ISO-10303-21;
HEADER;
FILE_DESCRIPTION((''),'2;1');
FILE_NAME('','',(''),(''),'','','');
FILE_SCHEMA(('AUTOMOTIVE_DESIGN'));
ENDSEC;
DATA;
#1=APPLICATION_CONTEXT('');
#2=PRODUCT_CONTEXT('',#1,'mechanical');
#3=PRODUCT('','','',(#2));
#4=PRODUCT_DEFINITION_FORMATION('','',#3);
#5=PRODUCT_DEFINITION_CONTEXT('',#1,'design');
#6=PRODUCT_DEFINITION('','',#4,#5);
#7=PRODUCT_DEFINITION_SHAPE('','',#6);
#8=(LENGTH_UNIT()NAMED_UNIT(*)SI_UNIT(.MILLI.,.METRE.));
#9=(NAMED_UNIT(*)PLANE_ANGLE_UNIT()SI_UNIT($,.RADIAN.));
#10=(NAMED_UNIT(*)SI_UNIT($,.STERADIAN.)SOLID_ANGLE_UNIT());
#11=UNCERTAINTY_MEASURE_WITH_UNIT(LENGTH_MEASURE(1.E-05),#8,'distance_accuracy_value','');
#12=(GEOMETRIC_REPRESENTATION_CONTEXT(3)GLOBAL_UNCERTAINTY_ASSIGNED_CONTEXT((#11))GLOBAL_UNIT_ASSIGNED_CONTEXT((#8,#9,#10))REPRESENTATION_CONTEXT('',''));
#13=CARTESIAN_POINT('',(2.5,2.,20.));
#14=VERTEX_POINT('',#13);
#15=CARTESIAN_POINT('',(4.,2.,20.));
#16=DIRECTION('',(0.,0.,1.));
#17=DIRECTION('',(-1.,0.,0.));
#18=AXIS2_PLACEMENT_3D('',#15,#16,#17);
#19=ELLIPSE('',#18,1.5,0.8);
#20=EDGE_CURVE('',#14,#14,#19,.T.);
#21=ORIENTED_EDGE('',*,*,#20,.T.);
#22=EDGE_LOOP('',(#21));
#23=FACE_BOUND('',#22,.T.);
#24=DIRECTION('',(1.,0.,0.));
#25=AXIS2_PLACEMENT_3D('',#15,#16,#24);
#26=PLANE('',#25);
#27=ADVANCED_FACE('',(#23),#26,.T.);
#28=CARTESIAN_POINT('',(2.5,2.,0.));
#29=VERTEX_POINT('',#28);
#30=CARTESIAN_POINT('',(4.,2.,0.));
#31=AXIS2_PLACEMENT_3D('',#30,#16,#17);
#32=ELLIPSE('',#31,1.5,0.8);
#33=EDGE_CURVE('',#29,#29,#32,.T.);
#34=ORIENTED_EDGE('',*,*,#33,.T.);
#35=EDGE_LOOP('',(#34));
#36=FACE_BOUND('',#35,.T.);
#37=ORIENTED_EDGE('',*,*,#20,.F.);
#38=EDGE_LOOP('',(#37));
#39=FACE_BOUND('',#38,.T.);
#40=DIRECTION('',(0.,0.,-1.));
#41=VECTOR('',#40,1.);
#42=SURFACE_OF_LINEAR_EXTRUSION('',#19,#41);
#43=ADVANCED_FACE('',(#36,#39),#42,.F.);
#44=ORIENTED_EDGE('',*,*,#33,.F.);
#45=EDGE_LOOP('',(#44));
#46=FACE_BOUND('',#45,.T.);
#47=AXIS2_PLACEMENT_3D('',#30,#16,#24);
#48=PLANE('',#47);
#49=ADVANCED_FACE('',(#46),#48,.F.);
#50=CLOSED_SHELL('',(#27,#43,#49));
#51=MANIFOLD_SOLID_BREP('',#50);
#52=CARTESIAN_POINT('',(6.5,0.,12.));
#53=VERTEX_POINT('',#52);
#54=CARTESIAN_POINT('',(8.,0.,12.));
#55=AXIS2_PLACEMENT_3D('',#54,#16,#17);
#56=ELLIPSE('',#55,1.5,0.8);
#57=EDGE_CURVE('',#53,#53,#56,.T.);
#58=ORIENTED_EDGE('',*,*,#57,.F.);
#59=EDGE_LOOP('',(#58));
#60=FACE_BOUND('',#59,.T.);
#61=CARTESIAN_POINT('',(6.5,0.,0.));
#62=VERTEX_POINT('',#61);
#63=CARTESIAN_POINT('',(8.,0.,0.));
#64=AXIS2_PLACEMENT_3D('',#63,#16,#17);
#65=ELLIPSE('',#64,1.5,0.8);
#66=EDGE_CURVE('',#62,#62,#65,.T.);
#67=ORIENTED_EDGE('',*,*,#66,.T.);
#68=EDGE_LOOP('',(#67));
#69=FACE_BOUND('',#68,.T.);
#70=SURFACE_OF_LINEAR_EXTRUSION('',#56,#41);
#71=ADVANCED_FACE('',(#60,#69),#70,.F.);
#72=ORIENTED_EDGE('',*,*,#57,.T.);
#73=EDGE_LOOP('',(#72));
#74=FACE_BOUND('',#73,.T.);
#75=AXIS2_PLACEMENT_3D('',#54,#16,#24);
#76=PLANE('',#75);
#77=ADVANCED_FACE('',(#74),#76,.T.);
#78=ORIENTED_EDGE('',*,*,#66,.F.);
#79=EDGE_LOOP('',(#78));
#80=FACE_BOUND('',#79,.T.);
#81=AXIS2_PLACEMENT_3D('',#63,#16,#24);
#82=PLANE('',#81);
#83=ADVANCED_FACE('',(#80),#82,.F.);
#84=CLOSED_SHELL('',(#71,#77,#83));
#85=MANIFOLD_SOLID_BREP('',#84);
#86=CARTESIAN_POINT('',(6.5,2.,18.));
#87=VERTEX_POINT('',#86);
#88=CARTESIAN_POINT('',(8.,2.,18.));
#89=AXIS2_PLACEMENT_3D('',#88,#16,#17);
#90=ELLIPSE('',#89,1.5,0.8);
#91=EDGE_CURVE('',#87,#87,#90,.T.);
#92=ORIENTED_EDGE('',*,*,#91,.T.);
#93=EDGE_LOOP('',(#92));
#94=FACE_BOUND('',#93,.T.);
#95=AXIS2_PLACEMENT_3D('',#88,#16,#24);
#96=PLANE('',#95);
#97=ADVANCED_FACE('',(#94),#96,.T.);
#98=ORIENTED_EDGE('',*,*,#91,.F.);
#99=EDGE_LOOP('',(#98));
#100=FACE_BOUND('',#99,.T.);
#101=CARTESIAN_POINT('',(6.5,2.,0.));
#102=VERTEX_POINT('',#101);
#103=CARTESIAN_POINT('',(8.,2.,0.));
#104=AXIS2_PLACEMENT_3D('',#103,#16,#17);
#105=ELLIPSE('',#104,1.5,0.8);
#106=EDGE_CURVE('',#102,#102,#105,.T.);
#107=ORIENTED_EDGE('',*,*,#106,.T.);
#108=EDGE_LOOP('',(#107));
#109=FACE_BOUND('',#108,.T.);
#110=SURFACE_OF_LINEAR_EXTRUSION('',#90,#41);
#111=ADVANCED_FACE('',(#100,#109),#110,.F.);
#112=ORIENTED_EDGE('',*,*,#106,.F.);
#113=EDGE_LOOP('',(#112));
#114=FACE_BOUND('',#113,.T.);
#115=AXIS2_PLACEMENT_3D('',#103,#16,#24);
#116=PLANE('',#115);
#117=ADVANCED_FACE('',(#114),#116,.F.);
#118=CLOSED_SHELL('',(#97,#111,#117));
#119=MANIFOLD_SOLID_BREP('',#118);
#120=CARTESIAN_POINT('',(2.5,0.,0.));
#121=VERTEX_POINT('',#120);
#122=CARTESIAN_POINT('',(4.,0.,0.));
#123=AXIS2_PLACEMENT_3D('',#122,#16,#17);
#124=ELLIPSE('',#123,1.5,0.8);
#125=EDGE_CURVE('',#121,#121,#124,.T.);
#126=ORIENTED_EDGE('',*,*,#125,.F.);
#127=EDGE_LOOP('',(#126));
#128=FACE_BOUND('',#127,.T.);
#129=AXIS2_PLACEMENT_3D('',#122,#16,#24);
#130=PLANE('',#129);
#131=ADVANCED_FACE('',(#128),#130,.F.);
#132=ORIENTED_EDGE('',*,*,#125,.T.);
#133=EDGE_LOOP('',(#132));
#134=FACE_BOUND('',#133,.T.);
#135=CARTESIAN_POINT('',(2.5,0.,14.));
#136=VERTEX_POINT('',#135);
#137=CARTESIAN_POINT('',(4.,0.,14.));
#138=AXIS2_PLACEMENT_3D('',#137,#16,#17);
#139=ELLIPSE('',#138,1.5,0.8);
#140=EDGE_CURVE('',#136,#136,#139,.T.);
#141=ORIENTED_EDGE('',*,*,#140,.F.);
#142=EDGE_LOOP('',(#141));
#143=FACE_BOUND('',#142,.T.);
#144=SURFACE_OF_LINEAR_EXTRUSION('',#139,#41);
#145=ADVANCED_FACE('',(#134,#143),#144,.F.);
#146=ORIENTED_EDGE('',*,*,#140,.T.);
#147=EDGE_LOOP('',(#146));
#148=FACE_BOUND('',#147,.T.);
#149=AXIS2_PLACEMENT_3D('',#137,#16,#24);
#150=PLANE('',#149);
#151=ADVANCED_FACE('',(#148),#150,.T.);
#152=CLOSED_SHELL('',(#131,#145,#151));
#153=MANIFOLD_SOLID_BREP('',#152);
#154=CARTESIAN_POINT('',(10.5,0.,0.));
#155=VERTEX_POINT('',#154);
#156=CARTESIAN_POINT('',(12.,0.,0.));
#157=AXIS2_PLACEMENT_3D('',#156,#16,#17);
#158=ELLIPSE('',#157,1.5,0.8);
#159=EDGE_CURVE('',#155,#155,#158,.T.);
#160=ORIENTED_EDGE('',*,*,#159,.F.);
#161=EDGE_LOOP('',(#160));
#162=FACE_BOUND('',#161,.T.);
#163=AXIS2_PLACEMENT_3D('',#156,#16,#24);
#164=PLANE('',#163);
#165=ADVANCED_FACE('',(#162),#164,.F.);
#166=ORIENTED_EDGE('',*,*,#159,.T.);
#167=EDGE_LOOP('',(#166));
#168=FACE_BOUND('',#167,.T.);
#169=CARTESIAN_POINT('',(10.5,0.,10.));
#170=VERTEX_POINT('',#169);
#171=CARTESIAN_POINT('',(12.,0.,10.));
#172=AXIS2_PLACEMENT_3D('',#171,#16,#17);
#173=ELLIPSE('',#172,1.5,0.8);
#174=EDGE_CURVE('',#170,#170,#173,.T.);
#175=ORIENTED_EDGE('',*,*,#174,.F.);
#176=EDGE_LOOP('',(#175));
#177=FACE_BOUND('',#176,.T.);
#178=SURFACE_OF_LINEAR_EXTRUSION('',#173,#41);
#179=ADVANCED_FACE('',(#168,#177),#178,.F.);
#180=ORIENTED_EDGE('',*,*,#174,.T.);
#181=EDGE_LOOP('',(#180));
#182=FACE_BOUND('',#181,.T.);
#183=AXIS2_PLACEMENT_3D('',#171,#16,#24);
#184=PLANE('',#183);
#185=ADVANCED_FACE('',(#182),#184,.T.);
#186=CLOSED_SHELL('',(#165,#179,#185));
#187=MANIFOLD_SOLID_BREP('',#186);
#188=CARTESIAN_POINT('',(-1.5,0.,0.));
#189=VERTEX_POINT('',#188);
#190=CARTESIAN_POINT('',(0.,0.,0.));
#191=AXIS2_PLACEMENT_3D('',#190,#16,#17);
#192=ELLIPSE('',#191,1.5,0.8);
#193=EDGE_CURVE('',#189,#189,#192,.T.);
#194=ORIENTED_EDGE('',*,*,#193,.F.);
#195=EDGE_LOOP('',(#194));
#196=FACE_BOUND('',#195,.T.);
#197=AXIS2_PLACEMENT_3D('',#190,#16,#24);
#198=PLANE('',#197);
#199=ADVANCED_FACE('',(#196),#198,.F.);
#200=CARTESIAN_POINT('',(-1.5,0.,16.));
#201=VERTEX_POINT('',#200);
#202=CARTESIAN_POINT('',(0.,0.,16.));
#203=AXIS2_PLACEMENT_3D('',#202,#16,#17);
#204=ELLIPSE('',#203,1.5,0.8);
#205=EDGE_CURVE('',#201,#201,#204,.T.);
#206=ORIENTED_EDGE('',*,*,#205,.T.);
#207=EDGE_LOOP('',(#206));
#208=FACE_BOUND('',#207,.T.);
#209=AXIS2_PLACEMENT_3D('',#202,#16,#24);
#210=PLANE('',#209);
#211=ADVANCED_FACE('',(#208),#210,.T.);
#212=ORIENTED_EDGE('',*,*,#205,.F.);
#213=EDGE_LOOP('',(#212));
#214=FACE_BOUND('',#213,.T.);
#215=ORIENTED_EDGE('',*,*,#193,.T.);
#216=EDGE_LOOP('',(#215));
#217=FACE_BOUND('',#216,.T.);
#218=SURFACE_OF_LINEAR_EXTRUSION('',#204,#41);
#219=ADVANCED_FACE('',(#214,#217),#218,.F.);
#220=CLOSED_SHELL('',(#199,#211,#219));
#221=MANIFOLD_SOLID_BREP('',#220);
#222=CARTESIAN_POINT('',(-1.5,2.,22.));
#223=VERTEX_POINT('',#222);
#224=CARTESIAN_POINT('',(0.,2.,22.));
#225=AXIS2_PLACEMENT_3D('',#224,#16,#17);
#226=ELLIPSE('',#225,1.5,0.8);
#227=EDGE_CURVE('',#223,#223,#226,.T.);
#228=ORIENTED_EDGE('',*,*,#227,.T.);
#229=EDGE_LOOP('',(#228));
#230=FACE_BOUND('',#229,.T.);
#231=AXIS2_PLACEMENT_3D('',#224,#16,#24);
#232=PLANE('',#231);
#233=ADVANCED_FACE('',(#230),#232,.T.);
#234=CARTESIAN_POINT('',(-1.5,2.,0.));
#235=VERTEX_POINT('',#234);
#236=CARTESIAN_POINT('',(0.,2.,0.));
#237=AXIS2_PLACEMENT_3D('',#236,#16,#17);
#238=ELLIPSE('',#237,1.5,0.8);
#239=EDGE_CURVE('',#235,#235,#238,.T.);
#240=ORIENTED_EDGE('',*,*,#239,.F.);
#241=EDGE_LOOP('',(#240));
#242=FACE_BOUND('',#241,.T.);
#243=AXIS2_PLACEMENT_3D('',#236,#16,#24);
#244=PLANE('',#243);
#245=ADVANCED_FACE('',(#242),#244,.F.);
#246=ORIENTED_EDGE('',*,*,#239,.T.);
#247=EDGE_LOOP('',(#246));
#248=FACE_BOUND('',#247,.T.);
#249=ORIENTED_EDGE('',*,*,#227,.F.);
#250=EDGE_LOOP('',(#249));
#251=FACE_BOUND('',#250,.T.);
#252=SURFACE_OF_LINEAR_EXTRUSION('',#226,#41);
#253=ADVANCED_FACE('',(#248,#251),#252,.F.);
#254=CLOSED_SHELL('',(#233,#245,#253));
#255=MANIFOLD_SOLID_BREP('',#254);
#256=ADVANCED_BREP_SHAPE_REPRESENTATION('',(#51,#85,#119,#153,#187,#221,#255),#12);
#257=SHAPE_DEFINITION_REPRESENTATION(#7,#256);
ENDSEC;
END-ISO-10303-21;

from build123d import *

# Parameters (mm, degrees)
SKETCH2_RX          = 1.5
SKETCH2_RY          = 0.8
BOSS_EXTRUDE1_DEPTH = 10
SKETCH2_3_RX        = 1.5
SKETCH2_3_RY        = 0.8
BOSS_EXTRUDE2_DEPTH = 12
SKETCH2_4_RX        = 1.5
SKETCH2_4_RY        = 0.8
BOSS_EXTRUDE3_DEPTH = 14
SKETCH2_5_RX        = 1.5
SKETCH2_5_RY        = 0.8
BOSS_EXTRUDE4_DEPTH = 16
SKETCH2_6_RX        = 1.5
SKETCH2_6_RY        = 0.8
BOSS_EXTRUDE5_DEPTH = 18
SKETCH2_7_RX        = 1.5
SKETCH2_7_RY        = 0.8
BOSS_EXTRUDE6_DEPTH = 20
SKETCH2_8_RX        = 1.5
SKETCH2_8_RY        = 0.8
BOSS_EXTRUDE7_DEPTH = 22


with BuildPart() as part:
    # Sketch2 → Boss-Extrude1 (new body)
    with BuildSketch(Plane.XY):
        with Locations(Location((12, 0), (0, 0, 180))):
            Ellipse(SKETCH2_RX, SKETCH2_RY)
    extrude(amount=BOSS_EXTRUDE1_DEPTH)


with BuildPart() as body_2:
    # Sketch2<3> → Boss-Extrude2 (new body)
    with BuildSketch(Plane.XY):
        with Locations(Location((8, 0), (0, 0, 180))):
            Ellipse(SKETCH2_3_RX, SKETCH2_3_RY)
    extrude(amount=BOSS_EXTRUDE2_DEPTH)


with BuildPart() as body_3:
    # Sketch2<4> → Boss-Extrude3 (new body)
    with BuildSketch(Plane.XY):
        with Locations(Location((4, 0), (0, 0, 180))):
            Ellipse(SKETCH2_4_RX, SKETCH2_4_RY)
    extrude(amount=BOSS_EXTRUDE3_DEPTH)


with BuildPart() as body_4:
    # Sketch2<5> → Boss-Extrude4 (new body)
    with BuildSketch(Plane.XY):
        with Locations(Location((0, 0), (0, 0, 180))):
            Ellipse(SKETCH2_5_RX, SKETCH2_5_RY)
    extrude(amount=BOSS_EXTRUDE4_DEPTH)


with BuildPart() as body_5:
    # Sketch2<6> → Boss-Extrude5 (new body)
    with BuildSketch(Plane.XY):
        with Locations(Location((8, 2), (0, 0, 180))):
            Ellipse(SKETCH2_6_RX, SKETCH2_6_RY)
    extrude(amount=BOSS_EXTRUDE5_DEPTH)


with BuildPart() as body_6:
    # Sketch2<7> → Boss-Extrude6 (new body)
    with BuildSketch(Plane.XY):
        with Locations(Location((4, 2), (0, 0, 180))):
            Ellipse(SKETCH2_7_RX, SKETCH2_7_RY)
    extrude(amount=BOSS_EXTRUDE6_DEPTH)


with BuildPart() as body_7:
    # Sketch2<8> → Boss-Extrude7 (new body)
    with BuildSketch(Plane.XY):
        with Locations(Location((0, 2), (0, 0, 180))):
            Ellipse(SKETCH2_8_RX, SKETCH2_8_RY)
    extrude(amount=BOSS_EXTRUDE7_DEPTH)


solid = Compound([part.part, body_2.part, body_3.part, body_4.part, body_5.part, body_6.part, body_7.part])
